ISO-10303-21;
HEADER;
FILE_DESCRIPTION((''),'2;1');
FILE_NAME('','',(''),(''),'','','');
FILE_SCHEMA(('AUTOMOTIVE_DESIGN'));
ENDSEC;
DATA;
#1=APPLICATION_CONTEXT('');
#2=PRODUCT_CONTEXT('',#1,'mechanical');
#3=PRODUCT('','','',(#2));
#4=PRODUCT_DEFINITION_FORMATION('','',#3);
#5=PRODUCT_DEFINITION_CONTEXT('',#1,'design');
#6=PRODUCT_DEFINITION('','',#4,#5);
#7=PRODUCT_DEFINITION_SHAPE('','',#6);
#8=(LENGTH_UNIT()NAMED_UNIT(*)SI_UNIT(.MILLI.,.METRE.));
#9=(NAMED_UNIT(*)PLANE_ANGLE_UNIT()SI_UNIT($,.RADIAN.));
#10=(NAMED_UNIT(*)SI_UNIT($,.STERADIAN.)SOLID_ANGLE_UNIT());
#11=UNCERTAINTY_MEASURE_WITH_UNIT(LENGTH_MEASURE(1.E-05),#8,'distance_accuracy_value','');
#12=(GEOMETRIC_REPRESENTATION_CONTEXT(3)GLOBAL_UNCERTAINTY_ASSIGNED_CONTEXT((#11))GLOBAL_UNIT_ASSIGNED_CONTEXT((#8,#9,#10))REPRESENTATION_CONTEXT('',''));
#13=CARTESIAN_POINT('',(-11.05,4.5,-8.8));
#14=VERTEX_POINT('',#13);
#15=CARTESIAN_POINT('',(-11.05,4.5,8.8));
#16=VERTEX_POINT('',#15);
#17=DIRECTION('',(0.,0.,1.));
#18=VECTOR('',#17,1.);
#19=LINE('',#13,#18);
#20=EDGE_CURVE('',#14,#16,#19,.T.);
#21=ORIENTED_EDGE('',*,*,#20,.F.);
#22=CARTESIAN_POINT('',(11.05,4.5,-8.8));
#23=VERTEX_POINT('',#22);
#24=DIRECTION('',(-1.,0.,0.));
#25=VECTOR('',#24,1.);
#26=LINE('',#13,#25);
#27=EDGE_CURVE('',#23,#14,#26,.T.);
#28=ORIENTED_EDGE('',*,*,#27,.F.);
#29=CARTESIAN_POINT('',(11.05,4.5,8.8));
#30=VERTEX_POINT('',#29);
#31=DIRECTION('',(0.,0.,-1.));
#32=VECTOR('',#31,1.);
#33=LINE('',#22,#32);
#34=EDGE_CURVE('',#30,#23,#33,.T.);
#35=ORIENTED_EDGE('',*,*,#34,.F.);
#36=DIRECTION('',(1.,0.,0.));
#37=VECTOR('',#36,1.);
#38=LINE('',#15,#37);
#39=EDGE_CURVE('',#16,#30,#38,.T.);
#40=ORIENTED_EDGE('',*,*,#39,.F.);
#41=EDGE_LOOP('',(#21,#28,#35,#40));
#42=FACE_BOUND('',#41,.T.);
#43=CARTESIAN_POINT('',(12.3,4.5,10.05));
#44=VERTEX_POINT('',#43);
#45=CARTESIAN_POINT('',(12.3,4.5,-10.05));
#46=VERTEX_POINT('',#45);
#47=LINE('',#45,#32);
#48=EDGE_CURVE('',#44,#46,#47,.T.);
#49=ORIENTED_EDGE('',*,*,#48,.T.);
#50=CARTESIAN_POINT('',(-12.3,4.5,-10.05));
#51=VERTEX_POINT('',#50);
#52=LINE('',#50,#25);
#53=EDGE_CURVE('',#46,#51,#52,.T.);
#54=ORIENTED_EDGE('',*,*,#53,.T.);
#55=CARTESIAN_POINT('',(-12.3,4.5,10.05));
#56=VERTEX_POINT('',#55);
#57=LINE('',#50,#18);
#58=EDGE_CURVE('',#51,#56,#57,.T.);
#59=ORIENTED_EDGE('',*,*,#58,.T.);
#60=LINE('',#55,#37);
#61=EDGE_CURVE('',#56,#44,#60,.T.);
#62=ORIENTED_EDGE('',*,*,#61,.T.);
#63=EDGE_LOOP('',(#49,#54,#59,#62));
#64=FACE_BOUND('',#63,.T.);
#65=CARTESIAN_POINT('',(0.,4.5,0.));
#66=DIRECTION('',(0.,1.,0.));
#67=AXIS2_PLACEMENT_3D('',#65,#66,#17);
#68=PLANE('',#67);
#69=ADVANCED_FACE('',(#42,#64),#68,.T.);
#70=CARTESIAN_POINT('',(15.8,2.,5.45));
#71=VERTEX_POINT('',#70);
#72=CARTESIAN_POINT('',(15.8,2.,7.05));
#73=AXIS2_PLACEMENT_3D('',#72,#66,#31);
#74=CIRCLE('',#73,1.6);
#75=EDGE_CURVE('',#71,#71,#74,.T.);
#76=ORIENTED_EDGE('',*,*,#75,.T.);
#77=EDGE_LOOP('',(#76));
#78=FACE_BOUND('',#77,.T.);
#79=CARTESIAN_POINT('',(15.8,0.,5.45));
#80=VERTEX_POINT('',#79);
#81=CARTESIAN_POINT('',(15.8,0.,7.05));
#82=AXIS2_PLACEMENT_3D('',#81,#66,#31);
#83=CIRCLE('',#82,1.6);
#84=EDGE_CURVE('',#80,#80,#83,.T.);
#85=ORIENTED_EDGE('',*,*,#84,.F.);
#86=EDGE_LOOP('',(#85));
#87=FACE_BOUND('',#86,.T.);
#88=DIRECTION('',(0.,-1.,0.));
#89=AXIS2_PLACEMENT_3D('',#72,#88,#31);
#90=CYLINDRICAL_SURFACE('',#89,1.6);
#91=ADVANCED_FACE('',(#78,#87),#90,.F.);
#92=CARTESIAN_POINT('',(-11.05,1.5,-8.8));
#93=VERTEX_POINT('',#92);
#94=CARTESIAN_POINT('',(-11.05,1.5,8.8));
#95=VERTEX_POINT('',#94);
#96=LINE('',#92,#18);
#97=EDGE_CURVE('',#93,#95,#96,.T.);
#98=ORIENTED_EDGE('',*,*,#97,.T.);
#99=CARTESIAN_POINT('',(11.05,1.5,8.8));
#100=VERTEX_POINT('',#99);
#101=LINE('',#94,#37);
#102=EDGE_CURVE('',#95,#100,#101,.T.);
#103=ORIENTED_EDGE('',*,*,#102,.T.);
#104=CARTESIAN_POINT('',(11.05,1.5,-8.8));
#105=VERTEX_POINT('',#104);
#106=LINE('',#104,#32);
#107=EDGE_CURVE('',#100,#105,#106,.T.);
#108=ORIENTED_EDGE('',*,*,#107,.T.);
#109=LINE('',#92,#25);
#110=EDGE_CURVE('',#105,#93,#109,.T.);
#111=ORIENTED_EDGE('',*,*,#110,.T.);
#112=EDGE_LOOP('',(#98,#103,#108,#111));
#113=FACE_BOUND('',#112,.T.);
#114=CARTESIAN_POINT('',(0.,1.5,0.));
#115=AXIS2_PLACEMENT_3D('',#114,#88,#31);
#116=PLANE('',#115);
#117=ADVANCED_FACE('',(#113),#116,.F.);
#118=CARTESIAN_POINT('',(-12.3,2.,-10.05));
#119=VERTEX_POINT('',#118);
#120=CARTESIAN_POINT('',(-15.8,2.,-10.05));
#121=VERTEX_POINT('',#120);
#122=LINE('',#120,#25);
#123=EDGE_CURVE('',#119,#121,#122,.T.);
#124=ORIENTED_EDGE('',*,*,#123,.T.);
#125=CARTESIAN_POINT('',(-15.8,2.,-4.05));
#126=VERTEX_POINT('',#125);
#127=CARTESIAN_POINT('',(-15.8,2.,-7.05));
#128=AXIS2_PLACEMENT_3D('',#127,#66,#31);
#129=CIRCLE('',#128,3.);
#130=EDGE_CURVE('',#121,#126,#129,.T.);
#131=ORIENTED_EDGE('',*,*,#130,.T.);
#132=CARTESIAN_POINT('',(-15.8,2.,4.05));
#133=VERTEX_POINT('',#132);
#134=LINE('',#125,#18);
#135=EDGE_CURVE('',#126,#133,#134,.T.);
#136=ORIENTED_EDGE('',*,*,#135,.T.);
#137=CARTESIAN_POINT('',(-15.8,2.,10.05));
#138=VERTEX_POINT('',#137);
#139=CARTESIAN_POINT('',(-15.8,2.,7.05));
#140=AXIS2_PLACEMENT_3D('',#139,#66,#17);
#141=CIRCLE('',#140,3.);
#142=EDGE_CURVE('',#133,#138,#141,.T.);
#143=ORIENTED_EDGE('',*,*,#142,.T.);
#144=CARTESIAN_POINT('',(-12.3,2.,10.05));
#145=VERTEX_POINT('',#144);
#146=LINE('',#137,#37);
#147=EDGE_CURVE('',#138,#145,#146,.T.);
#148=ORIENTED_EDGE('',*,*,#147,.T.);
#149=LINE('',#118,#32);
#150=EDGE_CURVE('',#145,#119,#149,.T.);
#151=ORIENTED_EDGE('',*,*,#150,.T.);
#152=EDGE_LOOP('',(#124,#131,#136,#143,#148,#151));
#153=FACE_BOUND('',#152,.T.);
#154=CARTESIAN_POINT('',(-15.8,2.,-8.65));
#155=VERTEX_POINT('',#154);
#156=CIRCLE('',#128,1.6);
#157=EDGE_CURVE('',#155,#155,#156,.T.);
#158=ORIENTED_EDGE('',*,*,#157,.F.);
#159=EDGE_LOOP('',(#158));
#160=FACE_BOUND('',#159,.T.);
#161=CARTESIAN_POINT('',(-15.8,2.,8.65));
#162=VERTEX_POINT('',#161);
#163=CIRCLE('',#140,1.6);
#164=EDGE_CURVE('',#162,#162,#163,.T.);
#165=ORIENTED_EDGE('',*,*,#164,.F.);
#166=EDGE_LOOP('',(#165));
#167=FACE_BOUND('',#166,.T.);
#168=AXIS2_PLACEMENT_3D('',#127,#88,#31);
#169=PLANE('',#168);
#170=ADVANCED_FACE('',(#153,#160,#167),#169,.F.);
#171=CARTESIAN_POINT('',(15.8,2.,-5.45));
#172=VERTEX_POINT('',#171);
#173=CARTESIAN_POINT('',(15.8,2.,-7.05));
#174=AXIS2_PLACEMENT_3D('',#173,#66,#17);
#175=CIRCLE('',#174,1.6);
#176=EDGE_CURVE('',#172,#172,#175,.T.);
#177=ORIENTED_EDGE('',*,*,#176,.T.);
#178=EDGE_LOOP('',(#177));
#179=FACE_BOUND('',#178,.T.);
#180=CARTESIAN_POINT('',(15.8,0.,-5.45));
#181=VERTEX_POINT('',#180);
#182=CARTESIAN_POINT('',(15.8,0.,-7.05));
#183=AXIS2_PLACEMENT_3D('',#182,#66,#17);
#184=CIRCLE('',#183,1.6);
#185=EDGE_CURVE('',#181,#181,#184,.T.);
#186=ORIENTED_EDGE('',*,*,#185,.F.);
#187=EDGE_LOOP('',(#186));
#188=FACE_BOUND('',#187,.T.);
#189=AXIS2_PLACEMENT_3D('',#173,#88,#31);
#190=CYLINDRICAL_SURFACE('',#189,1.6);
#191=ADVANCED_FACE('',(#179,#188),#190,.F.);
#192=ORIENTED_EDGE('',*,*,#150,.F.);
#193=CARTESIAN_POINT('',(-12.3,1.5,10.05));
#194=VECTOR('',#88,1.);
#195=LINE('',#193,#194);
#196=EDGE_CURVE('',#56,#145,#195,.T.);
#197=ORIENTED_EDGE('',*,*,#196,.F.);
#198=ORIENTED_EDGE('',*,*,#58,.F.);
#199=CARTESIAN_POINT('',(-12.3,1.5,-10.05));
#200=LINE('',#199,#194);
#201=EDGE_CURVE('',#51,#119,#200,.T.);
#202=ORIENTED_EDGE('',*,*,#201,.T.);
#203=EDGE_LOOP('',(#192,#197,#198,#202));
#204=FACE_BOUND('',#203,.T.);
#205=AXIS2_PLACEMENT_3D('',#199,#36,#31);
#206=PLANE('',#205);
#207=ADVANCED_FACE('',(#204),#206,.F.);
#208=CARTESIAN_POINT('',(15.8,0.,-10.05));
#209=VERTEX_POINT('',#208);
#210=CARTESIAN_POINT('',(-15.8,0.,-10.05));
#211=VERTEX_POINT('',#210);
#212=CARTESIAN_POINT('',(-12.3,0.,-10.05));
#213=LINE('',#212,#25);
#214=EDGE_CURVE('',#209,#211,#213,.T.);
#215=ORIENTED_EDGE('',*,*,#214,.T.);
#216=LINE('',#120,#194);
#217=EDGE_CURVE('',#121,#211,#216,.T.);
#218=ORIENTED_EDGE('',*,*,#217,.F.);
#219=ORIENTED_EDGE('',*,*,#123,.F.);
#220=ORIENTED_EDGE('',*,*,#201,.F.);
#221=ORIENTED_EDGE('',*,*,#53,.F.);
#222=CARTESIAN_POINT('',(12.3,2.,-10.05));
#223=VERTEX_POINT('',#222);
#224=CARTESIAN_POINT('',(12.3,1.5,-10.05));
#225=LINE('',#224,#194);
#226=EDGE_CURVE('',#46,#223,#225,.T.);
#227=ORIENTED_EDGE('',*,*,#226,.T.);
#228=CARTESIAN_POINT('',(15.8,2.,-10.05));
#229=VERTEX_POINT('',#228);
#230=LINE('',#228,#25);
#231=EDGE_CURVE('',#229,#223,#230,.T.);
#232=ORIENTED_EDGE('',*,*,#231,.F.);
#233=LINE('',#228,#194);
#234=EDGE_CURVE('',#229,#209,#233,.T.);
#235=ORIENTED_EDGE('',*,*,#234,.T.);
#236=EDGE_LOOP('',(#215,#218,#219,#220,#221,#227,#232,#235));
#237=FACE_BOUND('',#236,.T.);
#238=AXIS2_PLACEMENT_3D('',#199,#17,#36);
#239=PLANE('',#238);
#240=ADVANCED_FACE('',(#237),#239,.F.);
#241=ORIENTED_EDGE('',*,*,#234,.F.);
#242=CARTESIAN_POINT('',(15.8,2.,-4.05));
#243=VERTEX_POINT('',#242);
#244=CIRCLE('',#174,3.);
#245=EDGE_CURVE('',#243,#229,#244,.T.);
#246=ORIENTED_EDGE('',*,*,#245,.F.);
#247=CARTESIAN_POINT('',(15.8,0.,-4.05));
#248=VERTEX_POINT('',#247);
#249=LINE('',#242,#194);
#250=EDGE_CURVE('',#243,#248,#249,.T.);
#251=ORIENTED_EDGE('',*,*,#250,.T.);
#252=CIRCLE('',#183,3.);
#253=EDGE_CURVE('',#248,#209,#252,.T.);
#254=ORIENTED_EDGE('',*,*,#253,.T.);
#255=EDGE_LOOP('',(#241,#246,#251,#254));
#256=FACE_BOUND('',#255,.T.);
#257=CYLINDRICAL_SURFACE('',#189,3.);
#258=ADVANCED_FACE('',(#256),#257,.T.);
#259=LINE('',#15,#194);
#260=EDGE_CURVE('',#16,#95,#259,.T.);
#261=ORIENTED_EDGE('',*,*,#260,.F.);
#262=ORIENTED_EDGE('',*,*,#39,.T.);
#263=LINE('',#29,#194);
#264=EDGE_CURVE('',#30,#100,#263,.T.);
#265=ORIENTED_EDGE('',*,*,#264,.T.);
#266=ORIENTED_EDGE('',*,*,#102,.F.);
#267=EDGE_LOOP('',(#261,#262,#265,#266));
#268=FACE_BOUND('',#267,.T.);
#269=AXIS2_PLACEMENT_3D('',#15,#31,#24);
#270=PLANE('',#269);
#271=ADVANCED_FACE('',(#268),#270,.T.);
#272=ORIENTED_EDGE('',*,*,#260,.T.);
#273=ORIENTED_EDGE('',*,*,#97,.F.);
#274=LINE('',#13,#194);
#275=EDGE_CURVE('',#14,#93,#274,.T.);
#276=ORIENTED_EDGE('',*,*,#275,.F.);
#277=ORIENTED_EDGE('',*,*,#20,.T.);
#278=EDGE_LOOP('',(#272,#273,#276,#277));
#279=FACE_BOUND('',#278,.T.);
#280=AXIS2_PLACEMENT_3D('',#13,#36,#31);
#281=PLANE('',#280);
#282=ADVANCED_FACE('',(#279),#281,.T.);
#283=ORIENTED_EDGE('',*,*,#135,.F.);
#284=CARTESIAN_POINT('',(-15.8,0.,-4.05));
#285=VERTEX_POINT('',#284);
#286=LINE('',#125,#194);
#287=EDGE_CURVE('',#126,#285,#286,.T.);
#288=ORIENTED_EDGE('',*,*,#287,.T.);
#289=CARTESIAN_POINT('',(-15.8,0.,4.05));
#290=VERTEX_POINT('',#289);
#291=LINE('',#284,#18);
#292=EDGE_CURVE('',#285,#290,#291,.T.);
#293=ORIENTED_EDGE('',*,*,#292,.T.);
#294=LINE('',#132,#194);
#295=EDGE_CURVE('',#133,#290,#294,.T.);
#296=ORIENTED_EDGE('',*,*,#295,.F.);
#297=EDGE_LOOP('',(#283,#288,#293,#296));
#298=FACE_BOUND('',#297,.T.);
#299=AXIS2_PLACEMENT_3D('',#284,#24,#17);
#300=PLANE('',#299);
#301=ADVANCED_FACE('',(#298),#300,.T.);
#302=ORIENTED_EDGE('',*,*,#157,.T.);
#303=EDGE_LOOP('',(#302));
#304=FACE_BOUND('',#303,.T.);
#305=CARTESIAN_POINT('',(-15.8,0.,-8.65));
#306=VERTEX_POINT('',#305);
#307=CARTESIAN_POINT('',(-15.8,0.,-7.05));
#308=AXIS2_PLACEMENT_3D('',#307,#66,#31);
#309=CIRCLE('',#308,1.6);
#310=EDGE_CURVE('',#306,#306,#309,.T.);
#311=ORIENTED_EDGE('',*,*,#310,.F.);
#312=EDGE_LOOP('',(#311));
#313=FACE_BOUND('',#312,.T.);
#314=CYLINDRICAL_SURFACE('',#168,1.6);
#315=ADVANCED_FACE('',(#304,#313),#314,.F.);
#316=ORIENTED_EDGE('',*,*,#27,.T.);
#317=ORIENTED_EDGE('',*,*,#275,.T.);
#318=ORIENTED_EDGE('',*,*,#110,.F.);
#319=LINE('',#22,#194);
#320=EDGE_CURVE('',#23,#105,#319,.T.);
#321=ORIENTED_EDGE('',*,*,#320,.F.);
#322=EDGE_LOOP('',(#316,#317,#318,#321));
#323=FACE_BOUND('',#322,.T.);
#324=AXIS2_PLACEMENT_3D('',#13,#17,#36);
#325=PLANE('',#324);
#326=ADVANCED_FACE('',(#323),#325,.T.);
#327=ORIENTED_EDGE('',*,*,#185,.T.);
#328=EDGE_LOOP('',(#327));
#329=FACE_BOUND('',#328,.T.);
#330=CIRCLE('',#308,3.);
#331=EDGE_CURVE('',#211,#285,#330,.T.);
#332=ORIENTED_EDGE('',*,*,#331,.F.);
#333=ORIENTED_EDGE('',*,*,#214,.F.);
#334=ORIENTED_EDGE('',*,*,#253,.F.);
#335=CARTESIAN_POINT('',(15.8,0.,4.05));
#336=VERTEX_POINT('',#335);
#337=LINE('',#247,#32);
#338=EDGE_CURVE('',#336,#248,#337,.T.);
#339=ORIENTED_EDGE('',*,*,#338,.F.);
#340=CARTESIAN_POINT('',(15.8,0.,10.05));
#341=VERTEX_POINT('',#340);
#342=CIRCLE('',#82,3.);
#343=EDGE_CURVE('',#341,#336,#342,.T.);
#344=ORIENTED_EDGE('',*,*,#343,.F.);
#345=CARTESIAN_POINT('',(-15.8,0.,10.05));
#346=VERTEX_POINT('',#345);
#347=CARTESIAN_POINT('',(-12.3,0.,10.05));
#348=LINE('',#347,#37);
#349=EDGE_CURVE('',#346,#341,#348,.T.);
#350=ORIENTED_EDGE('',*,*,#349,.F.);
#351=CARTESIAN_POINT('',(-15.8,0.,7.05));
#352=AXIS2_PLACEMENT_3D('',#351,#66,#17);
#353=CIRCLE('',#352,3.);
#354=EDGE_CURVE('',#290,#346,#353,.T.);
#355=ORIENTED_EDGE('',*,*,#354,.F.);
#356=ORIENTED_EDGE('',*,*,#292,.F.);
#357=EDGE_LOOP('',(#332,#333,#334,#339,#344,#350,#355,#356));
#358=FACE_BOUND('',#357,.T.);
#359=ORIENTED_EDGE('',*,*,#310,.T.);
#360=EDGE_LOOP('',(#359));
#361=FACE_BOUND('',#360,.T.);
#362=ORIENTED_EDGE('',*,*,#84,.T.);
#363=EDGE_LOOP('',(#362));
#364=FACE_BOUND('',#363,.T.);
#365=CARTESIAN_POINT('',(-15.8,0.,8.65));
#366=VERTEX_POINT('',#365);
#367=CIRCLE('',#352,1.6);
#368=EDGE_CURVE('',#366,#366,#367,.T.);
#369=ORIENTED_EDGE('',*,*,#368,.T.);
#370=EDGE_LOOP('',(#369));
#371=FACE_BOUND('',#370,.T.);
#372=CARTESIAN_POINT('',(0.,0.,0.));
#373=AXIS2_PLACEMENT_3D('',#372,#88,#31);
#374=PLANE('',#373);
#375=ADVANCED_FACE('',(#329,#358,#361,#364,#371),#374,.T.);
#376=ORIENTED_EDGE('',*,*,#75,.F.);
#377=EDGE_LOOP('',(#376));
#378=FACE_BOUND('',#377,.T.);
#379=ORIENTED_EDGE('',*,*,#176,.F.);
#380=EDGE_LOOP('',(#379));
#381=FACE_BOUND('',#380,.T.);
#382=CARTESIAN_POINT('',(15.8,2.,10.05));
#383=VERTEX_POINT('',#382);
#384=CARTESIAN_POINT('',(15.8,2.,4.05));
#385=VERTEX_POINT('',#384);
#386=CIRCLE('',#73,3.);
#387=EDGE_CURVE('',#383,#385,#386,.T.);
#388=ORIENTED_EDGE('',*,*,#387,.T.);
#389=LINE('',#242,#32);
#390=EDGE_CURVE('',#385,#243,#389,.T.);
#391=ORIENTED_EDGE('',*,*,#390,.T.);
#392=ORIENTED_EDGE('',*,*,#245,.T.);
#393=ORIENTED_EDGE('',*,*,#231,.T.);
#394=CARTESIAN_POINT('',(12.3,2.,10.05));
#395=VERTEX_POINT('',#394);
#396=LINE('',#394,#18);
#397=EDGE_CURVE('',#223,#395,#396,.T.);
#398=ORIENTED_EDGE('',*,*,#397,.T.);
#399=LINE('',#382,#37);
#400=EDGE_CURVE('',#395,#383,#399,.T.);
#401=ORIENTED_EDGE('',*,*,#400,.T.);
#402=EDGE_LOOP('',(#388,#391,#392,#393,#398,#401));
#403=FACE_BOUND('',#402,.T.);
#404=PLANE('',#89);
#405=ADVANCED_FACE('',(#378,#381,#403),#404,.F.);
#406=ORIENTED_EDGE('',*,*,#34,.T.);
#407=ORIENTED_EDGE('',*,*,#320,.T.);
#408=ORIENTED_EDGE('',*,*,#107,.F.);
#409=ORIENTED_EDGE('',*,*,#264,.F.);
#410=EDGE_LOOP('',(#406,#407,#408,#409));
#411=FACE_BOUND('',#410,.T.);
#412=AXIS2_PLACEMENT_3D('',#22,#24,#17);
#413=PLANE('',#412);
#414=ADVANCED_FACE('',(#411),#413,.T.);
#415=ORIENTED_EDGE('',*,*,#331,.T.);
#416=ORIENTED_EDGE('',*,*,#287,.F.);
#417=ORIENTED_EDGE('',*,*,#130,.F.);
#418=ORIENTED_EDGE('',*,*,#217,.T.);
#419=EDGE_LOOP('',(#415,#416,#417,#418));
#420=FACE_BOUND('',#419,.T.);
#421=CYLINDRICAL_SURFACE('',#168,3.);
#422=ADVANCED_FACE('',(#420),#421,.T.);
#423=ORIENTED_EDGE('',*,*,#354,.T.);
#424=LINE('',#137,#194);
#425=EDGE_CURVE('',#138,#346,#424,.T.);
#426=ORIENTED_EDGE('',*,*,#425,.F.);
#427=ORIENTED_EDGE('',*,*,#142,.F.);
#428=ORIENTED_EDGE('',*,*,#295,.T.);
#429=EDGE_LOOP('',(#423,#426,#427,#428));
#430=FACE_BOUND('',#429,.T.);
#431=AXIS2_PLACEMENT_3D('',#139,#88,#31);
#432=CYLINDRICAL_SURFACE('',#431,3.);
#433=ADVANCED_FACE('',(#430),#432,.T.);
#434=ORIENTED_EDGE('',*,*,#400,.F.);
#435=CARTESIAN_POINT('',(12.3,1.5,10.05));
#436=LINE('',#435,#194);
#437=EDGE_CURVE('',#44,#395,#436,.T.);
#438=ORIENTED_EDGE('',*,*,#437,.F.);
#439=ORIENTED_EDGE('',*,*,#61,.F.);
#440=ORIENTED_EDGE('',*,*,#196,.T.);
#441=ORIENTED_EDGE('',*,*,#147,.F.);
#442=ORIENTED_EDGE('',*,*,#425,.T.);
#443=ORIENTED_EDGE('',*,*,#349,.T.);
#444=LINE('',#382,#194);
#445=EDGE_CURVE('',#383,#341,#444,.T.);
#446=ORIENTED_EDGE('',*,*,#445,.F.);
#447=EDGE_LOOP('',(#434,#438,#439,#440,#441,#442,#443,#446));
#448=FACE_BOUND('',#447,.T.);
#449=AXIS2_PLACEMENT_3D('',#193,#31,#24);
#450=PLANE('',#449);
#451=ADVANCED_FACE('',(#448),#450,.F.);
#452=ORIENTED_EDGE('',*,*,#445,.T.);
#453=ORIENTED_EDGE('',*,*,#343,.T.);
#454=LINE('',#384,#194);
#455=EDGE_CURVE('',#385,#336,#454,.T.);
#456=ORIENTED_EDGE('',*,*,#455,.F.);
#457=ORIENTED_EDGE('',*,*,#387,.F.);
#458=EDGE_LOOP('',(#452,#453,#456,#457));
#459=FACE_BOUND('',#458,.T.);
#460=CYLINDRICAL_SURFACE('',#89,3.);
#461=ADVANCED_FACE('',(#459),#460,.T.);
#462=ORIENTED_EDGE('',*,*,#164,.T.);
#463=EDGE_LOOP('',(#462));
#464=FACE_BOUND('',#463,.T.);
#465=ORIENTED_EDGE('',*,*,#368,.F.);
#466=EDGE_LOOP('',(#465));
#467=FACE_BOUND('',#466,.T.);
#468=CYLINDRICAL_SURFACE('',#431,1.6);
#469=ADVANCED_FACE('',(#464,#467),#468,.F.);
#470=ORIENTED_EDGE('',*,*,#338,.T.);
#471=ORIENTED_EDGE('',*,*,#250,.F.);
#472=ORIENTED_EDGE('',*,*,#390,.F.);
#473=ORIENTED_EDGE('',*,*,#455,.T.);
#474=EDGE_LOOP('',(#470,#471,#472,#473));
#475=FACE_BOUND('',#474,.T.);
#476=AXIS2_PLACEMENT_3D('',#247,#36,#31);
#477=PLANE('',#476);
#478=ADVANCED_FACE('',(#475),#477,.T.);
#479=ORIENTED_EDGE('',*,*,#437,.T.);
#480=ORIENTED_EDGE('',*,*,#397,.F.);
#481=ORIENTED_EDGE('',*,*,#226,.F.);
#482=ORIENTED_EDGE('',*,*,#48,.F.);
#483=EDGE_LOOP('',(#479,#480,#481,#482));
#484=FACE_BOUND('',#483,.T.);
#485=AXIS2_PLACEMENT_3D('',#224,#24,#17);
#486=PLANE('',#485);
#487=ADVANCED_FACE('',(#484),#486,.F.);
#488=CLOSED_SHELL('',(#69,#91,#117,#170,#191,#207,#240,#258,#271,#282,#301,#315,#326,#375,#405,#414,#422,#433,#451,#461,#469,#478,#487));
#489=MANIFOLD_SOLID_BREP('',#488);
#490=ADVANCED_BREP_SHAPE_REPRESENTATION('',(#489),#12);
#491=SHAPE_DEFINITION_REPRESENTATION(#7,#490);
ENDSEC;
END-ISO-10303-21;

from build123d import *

# Parameters (mm, degrees)
SKETCH1_W           = 24.6
SKETCH1_H           = 20.1
BOSS_EXTRUDE1_DEPTH = 1.5
SKETCH2_W           = 24.6
SKETCH2_H           = 20.1
SKETCH2_W_2         = 22.1
SKETCH2_H_2         = 17.6
BOSS_EXTRUDE2_DEPTH = 3
SKETCH4_R           = 1.6
BOSS_EXTRUDE4_DEPTH = 2
SKETCH8_W           = 3.5
SKETCH8_H           = 8.1
BOSS_EXTRUDE5_DEPTH = 2


with BuildPart() as part:
    # Sketch1 → Boss-Extrude1 (new body)
    with BuildSketch(Plane(origin=(0, 0, 0), x_dir=(1, 0, 0), z_dir=(0, 1, 0))):
        Rectangle(SKETCH1_W, SKETCH1_H)
    extrude(amount=BOSS_EXTRUDE1_DEPTH)

    # Sketch2 → Boss-Extrude2 (add)
    with BuildSketch(Plane(origin=(0, 1.5, 0), x_dir=(1, 0, 0), z_dir=(0, 1, 0))):
        Rectangle(SKETCH2_W, SKETCH2_H)
        Rectangle(SKETCH2_W_2, SKETCH2_H_2, mode=Mode.SUBTRACT)
    extrude(amount=BOSS_EXTRUDE2_DEPTH)

    # Sketch4 → Boss-Extrude4 (add)
    # profile 1 of 4: a face of its own
    with BuildSketch(Plane(origin=(0, 0, 0), x_dir=(1, 0, 0), z_dir=(0, 1, 0))):
        with BuildLine():
            Line((15.8, 10.05), (12.3, 10.05))
            Line((12.3, 10.05), (12.3, 4.05))
            Line((12.3, 4.05), (15.8, 4.05))
            ThreePointArc((15.8, 4.05), (18.8, 7.05), (15.8, 10.05))
        make_face()
        with Locations(Location((15.8, 7.05, 0), (0, 0, 270))):
            Circle(SKETCH4_R, mode=Mode.SUBTRACT)
    # profile 2 of 4: a face of its own
    with BuildSketch(Plane(origin=(0, 0, 0), x_dir=(1, 0, 0), z_dir=(0, 1, 0))):
        with BuildLine():
            Line((-15.8, 4.05), (-12.3, 4.05))
            Line((-12.3, 4.05), (-12.3, 10.05))
            Line((-12.3, 10.05), (-15.8, 10.05))
            ThreePointArc((-15.8, 10.05), (-18.8, 7.05), (-15.8, 4.05))
        make_face()
        with Locations(Location((-15.8, 7.05, 0), (0, 0, 90))):
            Circle(SKETCH4_R, mode=Mode.SUBTRACT)
    # profile 3 of 4: a face of its own
    with BuildSketch(Plane(origin=(0, 0, 0), x_dir=(1, 0, 0), z_dir=(0, 1, 0))):
        with BuildLine():
            Line((15.8, -4.05), (12.3, -4.05))
            Line((12.3, -4.05), (12.3, -10.05))
            Line((12.3, -10.05), (15.8, -10.05))
            ThreePointArc((15.8, -10.05), (18.8, -7.05), (15.8, -4.05))
        make_face()
        with Locations(Location((15.8, -7.05, 0), (0, 0, 90))):
            Circle(SKETCH4_R, mode=Mode.SUBTRACT)
    # profile 4 of 4: a face of its own
    with BuildSketch(Plane(origin=(0, 0, 0), x_dir=(1, 0, 0), z_dir=(0, 1, 0))):
        with BuildLine():
            Line((-15.8, -10.05), (-12.3, -10.05))
            Line((-12.3, -10.05), (-12.3, -4.05))
            Line((-12.3, -4.05), (-15.8, -4.05))
            ThreePointArc((-15.8, -4.05), (-18.8, -7.05), (-15.8, -10.05))
        make_face()
        with Locations(Location((-15.8, -7.05, 0), (0, 0, 270))):
            Circle(SKETCH4_R, mode=Mode.SUBTRACT)
    extrude(amount=BOSS_EXTRUDE4_DEPTH)

    # Sketch8 → Boss-Extrude5 (add, through all)
    with BuildSketch(Plane(origin=(0, 2, 0), x_dir=(1, 0, 0), z_dir=(0, 1, 0))):
        with Locations((-14.05, 0)):
            Rectangle(SKETCH8_W, SKETCH8_H)
        with Locations((14.05, 0)):
            Rectangle(SKETCH8_W, SKETCH8_H)
    extrude(amount=-BOSS_EXTRUDE5_DEPTH)


solid = part.part
